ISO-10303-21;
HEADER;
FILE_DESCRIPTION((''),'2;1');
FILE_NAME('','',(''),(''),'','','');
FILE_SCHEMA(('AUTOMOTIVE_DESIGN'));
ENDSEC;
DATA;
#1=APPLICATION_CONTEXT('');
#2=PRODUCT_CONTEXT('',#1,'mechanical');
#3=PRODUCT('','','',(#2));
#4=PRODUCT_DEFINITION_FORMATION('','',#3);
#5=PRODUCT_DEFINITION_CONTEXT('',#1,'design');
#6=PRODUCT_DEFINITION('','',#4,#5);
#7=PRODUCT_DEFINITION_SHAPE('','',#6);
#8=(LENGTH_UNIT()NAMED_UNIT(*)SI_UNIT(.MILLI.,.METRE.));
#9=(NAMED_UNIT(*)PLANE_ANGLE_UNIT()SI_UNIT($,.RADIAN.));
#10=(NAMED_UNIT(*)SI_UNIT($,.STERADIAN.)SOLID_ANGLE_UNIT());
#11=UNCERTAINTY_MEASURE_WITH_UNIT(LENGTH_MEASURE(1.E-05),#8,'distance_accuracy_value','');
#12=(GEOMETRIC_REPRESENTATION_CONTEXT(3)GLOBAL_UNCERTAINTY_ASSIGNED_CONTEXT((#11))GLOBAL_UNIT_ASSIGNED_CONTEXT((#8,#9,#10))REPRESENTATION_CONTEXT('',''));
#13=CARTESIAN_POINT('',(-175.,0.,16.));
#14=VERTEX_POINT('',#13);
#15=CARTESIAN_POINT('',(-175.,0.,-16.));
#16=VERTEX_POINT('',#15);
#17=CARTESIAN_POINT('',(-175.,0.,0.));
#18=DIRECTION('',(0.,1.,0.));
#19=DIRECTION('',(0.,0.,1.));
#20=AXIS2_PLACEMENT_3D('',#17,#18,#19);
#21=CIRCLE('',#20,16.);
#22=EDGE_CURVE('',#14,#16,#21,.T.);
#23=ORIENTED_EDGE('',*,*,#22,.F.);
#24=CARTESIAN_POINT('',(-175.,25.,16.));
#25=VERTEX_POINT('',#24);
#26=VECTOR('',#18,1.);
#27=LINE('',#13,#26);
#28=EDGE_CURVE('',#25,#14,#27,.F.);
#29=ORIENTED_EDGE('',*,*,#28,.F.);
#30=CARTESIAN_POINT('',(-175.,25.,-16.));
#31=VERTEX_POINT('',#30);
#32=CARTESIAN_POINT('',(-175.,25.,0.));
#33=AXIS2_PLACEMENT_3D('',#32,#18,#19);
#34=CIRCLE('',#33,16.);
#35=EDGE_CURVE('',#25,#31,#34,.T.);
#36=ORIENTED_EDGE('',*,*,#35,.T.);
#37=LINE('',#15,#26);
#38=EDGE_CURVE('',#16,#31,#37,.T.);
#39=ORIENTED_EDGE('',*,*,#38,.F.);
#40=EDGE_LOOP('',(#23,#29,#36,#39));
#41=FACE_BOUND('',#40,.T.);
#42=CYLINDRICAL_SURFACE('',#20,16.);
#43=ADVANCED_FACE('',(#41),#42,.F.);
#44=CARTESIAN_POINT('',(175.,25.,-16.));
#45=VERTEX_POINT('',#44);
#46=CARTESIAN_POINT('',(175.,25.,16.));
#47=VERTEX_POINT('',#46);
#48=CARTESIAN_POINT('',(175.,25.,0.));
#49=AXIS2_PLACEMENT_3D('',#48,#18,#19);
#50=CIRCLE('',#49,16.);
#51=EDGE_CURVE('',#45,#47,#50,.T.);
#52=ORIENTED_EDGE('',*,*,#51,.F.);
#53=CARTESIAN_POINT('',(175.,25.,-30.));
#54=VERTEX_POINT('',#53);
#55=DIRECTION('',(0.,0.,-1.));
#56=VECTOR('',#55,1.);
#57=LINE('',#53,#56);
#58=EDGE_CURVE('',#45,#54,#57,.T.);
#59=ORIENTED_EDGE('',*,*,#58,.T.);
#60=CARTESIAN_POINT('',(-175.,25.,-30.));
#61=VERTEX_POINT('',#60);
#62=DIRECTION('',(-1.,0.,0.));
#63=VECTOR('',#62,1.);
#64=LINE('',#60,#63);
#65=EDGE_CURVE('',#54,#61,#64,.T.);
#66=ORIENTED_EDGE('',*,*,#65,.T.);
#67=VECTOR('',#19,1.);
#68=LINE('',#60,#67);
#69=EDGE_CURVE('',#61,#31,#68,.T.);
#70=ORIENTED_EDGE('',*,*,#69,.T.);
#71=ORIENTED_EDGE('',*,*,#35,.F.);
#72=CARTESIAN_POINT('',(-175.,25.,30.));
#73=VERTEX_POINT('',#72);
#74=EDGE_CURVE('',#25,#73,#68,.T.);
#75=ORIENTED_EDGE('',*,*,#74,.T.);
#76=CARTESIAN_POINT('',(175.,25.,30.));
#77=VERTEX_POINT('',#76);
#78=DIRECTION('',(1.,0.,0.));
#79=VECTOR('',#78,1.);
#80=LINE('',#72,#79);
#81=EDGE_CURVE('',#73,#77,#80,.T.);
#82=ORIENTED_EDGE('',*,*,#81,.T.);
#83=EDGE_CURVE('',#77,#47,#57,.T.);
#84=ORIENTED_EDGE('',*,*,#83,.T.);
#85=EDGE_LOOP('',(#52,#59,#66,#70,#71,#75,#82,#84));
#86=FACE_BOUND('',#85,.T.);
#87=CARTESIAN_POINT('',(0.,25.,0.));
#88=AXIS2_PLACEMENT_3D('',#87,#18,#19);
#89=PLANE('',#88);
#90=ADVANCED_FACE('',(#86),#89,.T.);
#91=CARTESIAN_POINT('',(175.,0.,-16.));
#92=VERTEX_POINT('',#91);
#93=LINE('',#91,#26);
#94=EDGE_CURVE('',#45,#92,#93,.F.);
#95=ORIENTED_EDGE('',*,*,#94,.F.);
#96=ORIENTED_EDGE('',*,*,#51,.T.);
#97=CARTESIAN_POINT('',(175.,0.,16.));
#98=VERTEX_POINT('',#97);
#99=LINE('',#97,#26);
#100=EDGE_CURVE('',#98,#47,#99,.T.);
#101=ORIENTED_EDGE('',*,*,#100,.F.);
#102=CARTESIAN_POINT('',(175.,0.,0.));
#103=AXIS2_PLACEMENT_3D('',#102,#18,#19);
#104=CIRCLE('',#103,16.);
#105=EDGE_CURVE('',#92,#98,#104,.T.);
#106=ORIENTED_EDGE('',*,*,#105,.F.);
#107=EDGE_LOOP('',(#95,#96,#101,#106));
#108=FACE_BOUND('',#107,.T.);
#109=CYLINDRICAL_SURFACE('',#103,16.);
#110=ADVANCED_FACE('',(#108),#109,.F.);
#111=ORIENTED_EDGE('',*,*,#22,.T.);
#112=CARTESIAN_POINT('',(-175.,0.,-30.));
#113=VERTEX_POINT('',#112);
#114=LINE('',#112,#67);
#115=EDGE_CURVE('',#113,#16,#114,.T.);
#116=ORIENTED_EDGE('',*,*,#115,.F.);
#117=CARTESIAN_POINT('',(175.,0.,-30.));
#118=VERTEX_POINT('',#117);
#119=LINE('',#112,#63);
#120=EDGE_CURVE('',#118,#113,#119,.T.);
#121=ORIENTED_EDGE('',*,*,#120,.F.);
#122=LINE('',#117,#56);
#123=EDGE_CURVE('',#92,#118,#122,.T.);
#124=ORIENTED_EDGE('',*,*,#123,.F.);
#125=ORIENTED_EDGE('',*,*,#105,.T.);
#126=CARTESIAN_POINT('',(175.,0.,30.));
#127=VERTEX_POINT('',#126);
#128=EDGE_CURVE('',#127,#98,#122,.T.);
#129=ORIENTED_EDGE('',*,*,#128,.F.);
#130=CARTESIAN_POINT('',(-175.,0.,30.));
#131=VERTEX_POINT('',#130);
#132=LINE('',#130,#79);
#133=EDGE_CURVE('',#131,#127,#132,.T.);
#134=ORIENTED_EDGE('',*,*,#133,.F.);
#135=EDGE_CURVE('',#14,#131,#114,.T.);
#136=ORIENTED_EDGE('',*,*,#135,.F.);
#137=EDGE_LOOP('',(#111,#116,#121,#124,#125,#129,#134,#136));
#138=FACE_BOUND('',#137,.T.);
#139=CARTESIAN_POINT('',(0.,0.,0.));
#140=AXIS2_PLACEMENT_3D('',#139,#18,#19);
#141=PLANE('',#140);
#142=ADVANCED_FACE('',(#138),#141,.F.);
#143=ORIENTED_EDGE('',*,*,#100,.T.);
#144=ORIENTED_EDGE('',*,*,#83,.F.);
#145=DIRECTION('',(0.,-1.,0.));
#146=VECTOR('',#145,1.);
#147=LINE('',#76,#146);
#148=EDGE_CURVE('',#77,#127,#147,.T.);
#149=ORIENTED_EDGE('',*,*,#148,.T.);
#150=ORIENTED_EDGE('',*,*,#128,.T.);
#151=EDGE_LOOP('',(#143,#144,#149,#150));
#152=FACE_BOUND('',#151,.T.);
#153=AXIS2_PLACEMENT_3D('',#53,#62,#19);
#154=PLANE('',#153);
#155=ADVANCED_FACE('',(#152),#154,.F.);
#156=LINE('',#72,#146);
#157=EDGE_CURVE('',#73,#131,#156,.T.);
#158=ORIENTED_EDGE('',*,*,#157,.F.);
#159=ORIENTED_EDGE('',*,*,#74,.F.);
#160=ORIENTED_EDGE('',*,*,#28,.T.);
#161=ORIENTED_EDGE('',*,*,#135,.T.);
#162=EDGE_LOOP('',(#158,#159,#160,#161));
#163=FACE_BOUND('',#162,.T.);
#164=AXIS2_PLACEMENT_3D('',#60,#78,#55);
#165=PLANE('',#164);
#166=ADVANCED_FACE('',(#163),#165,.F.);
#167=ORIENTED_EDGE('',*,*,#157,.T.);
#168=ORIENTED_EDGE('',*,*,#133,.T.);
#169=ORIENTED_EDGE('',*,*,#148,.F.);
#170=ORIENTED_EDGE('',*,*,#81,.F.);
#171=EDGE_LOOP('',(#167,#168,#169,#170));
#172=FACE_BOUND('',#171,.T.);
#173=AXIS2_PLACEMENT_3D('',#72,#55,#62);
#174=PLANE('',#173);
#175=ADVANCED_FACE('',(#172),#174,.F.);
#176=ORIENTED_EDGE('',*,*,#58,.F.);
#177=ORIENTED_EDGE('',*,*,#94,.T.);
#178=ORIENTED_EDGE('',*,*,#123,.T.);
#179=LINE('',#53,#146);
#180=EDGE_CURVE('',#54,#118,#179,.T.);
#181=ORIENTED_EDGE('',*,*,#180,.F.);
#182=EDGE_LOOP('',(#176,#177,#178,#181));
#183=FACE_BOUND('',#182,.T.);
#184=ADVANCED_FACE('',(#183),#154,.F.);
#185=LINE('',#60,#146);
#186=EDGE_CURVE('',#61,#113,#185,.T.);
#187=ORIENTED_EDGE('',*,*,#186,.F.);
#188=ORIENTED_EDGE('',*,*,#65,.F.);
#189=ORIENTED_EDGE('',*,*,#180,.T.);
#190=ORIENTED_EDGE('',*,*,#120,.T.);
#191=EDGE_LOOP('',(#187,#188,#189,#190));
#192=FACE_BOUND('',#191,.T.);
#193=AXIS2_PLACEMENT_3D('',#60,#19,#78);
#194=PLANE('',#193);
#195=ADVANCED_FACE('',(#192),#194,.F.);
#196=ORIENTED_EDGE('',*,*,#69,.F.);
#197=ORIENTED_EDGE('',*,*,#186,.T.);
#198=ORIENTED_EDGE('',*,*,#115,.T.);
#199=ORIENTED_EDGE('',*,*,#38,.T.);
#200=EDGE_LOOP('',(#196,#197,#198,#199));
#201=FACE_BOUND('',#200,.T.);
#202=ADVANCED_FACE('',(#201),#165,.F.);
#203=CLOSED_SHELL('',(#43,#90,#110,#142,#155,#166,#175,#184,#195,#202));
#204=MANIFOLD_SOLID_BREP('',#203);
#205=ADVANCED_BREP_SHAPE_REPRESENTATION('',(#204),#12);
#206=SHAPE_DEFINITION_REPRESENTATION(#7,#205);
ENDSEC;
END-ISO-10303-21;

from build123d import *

# Parameters (mm, degrees)
SKETCH1_W           = 350
SKETCH1_H           = 60
BOSS_EXTRUDE1_DEPTH = 25
SKETCH2_R           = 16
CUT_EXTRUDE1_DEPTH  = 180.30421077


with BuildPart() as part:
    # Sketch1 → Boss-Extrude1 (new body)
    with BuildSketch(Plane(origin=(0, 0, 0), x_dir=(1, 0, 0), z_dir=(0, 1, 0))):
        Rectangle(SKETCH1_W, SKETCH1_H)
    extrude(amount=BOSS_EXTRUDE1_DEPTH)

    # Sketch2 → Cut-Extrude1 (cut, through all)
    with BuildSketch(Plane(origin=(0, 25, 0), x_dir=(1, 0, 0), z_dir=(0, 1, 0))):
        with Locations((-175, 0)):
            Circle(SKETCH2_R)
        with Locations((175, 0)):
            Circle(SKETCH2_R)
    extrude(amount=-CUT_EXTRUDE1_DEPTH, mode=Mode.SUBTRACT)


solid = part.part
